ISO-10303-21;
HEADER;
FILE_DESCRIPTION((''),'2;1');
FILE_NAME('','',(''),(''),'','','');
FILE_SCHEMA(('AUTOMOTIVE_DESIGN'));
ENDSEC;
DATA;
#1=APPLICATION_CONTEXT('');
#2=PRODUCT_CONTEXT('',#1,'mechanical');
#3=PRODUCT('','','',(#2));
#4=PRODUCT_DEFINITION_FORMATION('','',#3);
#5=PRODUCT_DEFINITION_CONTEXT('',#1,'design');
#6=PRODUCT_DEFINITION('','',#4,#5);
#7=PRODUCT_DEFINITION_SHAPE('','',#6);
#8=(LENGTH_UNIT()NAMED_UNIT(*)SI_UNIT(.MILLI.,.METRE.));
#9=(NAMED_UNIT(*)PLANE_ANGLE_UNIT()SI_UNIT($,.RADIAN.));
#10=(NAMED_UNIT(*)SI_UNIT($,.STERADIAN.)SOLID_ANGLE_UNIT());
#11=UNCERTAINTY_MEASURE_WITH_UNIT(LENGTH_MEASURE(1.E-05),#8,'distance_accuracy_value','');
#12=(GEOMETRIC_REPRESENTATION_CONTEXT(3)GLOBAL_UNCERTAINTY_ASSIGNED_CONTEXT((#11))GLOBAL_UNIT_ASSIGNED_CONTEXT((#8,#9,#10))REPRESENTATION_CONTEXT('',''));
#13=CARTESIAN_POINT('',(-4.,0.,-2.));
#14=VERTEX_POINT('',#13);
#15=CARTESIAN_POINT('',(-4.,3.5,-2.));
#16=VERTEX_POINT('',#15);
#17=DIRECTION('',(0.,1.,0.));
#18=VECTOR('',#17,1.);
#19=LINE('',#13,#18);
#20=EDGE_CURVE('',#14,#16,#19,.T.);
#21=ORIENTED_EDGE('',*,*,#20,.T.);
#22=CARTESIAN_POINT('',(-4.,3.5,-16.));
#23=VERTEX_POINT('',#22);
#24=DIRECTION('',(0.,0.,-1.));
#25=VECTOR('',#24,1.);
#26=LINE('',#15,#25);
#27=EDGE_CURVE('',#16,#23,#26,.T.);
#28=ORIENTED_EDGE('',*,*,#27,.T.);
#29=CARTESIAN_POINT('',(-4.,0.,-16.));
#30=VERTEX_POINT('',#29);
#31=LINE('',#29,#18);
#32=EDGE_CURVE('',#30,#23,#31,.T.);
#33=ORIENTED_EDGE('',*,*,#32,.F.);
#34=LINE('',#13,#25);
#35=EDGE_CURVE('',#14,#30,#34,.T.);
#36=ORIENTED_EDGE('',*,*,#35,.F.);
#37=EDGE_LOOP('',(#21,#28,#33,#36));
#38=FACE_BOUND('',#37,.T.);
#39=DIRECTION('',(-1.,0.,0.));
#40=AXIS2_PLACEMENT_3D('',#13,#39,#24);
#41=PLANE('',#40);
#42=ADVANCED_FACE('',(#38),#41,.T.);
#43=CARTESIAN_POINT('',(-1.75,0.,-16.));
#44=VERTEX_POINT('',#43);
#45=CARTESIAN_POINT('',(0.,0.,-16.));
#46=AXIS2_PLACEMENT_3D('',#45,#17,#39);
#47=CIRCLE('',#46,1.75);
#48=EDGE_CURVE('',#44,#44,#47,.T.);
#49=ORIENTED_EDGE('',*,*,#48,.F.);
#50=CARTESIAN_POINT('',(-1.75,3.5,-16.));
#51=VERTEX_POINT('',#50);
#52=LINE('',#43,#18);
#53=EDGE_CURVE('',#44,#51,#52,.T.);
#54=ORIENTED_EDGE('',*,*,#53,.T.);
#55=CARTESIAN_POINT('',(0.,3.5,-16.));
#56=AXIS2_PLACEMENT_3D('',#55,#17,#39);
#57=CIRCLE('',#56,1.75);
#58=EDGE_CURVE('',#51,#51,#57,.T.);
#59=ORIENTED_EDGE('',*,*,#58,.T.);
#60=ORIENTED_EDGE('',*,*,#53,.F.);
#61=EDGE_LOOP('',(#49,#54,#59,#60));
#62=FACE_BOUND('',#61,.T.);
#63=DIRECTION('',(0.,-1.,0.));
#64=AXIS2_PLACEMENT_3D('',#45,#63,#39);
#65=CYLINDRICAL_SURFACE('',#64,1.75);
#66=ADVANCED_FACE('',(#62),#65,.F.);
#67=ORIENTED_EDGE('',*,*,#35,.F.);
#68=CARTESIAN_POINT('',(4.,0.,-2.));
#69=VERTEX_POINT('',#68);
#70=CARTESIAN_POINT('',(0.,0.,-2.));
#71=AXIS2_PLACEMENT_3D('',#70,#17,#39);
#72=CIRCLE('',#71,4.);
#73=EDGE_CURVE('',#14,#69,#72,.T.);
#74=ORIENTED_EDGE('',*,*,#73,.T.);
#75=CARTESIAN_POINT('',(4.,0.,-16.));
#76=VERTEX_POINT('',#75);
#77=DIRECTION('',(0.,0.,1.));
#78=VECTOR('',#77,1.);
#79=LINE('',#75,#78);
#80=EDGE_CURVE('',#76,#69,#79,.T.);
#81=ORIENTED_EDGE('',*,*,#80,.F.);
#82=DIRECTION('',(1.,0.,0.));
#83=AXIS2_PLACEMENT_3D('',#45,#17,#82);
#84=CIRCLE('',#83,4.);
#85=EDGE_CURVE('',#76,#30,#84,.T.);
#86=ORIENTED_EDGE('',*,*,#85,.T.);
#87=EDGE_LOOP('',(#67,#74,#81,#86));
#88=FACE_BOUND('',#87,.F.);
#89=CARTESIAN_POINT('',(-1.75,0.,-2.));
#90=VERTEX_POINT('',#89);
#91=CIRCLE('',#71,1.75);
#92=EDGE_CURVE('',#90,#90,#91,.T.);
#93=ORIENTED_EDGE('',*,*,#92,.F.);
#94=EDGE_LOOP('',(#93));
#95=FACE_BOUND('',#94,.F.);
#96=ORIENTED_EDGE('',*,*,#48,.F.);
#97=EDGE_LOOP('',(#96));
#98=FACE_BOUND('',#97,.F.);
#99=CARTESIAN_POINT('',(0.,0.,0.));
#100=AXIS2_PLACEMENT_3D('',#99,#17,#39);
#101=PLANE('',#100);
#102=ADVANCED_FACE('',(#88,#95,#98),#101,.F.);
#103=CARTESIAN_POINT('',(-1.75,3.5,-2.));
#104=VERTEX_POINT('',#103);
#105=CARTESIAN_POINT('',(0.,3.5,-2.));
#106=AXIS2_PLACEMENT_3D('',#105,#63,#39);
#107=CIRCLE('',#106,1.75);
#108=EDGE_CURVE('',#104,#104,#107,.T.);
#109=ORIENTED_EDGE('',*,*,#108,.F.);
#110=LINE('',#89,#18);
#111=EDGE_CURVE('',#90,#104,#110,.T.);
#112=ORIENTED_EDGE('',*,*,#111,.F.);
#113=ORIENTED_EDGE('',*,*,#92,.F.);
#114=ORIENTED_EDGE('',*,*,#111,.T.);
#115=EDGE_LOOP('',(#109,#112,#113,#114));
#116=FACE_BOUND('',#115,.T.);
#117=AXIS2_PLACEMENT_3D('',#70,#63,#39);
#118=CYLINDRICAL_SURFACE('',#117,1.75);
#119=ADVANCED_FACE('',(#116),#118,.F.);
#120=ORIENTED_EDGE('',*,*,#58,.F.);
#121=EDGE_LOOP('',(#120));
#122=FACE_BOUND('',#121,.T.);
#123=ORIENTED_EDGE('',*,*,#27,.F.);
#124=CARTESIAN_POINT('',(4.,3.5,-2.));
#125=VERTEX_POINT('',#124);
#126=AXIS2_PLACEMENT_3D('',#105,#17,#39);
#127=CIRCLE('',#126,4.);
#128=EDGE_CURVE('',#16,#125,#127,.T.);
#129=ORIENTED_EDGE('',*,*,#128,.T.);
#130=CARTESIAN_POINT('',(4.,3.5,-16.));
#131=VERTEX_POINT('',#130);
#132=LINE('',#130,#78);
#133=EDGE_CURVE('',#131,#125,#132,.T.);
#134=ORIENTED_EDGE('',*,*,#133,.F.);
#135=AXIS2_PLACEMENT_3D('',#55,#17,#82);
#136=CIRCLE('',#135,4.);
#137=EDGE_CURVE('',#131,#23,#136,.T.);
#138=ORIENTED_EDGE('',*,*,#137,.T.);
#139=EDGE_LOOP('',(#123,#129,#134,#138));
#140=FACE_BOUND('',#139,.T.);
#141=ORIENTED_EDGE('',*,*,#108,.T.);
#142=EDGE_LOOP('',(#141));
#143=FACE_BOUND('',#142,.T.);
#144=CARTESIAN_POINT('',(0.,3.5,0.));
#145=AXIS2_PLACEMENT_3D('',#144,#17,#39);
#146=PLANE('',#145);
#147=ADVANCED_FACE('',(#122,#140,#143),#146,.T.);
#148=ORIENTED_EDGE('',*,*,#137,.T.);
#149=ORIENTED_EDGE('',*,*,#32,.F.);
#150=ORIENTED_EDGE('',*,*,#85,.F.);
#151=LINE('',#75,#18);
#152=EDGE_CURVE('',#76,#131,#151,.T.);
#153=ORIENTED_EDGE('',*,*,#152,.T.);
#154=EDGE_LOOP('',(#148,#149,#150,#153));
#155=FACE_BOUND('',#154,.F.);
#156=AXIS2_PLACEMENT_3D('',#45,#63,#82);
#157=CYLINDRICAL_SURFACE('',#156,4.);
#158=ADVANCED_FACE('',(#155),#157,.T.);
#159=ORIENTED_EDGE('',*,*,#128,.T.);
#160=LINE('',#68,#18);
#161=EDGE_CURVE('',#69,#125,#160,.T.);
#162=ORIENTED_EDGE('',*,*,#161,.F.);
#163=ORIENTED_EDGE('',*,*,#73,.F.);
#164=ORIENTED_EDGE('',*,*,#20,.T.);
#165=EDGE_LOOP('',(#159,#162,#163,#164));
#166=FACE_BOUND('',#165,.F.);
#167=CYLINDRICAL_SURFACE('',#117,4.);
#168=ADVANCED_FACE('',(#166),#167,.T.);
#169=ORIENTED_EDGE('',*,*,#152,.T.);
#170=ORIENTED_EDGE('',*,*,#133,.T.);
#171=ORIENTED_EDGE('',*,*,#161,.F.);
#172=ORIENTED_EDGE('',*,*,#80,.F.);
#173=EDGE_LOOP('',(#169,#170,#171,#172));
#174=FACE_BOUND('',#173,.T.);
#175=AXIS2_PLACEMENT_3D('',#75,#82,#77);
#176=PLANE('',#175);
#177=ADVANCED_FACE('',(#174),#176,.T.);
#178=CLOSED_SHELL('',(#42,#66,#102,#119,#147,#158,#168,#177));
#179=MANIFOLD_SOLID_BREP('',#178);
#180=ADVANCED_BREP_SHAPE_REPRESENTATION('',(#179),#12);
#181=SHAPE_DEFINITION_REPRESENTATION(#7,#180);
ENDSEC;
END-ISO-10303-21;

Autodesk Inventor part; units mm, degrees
ref_plane "YZ Plane" through (0, 0, 0) normal (1, 0, 0) x (0, 1, 0)
ref_plane "XZ Plane" through (0, 0, 0) normal (0, 1, 0) x (-1, 0, 0)
ref_plane "XY Plane" through (0, 0, 0) normal (0, 0, 1) x (1, 0, 0)
sketch "Boceto1" plane through (0, 0, 0) normal (0, 1, 0) x (-1, 0, 0)
  arc A0 (-4, -16) -> (4, -16) centre (0, -16) ccw
  arc A1 (4, -2) -> (-4, -2) centre (0, -2) ccw
  line L0 (4, -2) -> (4, -16)
  line L1 (-4, -16) -> (-4, -2)
  line L2 (0, -4) -> (0, -2)
  circle A2 centre (0, -2) radius 1.75
  circle A3 centre (0, -16) radius 1.75
  point P0 (0, 0)
  dimension "d4" = 8
  dimension "d8" = 3.5
  dimension "d9" = 3.5
extrude "Extrusión1" add sketch "Boceto1" along normal blind 3.5 contours L1 A1 L0 A0 | A2 | A3
extrude "Extrusión2" cut sketch "Boceto1" along normal blind 3.5 contours A2 | A3
properties part number "DIREcicon2opala"
